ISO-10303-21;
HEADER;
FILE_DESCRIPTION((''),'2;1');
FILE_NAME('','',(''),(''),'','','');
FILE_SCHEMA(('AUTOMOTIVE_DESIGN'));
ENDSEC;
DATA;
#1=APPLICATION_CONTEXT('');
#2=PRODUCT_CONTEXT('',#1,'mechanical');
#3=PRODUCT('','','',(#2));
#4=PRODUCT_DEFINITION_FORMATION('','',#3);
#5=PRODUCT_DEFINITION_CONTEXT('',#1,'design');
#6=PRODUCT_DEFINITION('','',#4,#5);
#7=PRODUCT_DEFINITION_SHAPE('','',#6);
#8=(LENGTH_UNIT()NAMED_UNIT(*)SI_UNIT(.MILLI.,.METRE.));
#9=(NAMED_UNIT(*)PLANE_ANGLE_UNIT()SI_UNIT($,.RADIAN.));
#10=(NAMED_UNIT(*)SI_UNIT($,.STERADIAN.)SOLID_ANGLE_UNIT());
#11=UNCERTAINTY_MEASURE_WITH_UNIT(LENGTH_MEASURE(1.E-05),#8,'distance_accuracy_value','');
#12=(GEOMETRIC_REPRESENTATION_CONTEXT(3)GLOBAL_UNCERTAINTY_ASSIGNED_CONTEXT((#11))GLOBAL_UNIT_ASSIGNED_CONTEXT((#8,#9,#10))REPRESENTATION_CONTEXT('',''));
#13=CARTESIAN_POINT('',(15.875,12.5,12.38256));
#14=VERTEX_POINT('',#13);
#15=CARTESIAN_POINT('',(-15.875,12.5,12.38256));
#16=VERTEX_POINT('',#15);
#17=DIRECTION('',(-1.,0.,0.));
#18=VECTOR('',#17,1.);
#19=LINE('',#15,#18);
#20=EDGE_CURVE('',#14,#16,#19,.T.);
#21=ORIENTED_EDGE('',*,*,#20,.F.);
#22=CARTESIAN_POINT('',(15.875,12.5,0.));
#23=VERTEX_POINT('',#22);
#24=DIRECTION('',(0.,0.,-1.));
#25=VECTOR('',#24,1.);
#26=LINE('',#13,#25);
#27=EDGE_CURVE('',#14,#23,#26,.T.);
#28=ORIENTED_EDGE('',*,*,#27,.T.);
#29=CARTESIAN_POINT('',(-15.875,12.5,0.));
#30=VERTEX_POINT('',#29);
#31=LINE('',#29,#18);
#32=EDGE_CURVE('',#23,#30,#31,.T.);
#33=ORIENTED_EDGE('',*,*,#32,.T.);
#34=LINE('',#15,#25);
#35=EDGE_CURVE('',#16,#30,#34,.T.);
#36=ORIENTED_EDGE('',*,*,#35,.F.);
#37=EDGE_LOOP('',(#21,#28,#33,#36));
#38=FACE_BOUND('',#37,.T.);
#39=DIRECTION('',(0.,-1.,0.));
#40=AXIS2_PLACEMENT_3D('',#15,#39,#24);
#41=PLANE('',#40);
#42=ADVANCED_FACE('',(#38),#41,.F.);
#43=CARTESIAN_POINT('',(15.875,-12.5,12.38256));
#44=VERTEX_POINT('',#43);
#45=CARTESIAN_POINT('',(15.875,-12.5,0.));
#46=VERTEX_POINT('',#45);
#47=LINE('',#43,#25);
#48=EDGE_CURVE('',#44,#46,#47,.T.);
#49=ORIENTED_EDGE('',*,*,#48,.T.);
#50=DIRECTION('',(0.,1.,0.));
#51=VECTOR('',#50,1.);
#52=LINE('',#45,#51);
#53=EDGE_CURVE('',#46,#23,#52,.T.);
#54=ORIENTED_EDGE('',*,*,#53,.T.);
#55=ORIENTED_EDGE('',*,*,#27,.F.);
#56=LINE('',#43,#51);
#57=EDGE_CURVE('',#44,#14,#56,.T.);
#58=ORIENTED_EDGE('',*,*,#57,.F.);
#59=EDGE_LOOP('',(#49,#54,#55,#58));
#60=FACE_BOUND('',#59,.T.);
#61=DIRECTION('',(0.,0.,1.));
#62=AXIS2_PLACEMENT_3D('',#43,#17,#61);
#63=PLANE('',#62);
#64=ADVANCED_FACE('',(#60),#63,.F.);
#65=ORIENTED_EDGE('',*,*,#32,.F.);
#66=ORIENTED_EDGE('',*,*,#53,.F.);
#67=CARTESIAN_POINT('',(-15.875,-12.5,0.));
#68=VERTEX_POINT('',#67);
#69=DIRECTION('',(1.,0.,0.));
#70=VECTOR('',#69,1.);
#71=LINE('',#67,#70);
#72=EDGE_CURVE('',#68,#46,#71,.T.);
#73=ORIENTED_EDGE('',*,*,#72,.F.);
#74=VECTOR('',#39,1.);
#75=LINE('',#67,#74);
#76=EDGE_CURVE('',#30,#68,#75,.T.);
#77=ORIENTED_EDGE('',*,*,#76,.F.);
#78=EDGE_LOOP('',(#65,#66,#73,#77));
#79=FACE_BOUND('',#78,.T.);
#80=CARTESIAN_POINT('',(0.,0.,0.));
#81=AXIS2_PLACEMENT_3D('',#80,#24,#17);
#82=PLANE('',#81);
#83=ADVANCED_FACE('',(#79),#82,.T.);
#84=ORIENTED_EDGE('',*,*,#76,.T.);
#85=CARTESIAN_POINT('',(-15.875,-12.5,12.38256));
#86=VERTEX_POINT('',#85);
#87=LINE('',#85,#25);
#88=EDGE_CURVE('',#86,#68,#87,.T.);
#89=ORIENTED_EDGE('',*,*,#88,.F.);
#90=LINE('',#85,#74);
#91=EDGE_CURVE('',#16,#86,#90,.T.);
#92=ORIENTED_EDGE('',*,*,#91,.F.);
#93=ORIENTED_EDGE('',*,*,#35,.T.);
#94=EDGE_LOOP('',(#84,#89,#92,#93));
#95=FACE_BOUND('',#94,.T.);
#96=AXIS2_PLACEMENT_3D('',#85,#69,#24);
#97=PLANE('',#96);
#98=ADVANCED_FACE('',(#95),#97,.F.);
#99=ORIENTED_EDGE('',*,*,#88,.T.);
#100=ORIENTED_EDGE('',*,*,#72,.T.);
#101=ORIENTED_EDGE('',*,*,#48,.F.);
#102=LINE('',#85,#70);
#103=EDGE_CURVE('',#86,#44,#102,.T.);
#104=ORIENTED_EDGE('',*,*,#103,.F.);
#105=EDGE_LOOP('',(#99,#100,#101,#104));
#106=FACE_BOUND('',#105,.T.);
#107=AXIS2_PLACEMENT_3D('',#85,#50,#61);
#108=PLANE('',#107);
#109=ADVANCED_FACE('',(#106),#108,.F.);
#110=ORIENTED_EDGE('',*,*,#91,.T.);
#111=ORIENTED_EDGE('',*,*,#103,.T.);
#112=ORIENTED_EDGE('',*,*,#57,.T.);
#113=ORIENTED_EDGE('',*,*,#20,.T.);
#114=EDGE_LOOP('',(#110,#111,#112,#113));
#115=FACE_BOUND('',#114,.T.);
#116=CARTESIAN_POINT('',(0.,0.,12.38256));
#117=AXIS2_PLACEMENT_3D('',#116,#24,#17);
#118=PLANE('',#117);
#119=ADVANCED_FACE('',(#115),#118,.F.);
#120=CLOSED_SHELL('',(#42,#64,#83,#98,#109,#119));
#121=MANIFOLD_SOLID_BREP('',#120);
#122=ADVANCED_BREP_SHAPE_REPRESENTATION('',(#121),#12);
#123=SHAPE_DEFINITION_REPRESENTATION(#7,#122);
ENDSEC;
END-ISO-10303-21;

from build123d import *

# Parameters (mm, degrees)
SKETCH1_W           = 31.75
SKETCH1_H           = 25
BOSS_EXTRUDE1_DEPTH = 12.38256


with BuildPart() as part:
    # Sketch1 → Boss-Extrude1 (new body)
    with BuildSketch(Plane.XY):
        Rectangle(SKETCH1_W, SKETCH1_H)
    extrude(amount=BOSS_EXTRUDE1_DEPTH)


solid = part.part
